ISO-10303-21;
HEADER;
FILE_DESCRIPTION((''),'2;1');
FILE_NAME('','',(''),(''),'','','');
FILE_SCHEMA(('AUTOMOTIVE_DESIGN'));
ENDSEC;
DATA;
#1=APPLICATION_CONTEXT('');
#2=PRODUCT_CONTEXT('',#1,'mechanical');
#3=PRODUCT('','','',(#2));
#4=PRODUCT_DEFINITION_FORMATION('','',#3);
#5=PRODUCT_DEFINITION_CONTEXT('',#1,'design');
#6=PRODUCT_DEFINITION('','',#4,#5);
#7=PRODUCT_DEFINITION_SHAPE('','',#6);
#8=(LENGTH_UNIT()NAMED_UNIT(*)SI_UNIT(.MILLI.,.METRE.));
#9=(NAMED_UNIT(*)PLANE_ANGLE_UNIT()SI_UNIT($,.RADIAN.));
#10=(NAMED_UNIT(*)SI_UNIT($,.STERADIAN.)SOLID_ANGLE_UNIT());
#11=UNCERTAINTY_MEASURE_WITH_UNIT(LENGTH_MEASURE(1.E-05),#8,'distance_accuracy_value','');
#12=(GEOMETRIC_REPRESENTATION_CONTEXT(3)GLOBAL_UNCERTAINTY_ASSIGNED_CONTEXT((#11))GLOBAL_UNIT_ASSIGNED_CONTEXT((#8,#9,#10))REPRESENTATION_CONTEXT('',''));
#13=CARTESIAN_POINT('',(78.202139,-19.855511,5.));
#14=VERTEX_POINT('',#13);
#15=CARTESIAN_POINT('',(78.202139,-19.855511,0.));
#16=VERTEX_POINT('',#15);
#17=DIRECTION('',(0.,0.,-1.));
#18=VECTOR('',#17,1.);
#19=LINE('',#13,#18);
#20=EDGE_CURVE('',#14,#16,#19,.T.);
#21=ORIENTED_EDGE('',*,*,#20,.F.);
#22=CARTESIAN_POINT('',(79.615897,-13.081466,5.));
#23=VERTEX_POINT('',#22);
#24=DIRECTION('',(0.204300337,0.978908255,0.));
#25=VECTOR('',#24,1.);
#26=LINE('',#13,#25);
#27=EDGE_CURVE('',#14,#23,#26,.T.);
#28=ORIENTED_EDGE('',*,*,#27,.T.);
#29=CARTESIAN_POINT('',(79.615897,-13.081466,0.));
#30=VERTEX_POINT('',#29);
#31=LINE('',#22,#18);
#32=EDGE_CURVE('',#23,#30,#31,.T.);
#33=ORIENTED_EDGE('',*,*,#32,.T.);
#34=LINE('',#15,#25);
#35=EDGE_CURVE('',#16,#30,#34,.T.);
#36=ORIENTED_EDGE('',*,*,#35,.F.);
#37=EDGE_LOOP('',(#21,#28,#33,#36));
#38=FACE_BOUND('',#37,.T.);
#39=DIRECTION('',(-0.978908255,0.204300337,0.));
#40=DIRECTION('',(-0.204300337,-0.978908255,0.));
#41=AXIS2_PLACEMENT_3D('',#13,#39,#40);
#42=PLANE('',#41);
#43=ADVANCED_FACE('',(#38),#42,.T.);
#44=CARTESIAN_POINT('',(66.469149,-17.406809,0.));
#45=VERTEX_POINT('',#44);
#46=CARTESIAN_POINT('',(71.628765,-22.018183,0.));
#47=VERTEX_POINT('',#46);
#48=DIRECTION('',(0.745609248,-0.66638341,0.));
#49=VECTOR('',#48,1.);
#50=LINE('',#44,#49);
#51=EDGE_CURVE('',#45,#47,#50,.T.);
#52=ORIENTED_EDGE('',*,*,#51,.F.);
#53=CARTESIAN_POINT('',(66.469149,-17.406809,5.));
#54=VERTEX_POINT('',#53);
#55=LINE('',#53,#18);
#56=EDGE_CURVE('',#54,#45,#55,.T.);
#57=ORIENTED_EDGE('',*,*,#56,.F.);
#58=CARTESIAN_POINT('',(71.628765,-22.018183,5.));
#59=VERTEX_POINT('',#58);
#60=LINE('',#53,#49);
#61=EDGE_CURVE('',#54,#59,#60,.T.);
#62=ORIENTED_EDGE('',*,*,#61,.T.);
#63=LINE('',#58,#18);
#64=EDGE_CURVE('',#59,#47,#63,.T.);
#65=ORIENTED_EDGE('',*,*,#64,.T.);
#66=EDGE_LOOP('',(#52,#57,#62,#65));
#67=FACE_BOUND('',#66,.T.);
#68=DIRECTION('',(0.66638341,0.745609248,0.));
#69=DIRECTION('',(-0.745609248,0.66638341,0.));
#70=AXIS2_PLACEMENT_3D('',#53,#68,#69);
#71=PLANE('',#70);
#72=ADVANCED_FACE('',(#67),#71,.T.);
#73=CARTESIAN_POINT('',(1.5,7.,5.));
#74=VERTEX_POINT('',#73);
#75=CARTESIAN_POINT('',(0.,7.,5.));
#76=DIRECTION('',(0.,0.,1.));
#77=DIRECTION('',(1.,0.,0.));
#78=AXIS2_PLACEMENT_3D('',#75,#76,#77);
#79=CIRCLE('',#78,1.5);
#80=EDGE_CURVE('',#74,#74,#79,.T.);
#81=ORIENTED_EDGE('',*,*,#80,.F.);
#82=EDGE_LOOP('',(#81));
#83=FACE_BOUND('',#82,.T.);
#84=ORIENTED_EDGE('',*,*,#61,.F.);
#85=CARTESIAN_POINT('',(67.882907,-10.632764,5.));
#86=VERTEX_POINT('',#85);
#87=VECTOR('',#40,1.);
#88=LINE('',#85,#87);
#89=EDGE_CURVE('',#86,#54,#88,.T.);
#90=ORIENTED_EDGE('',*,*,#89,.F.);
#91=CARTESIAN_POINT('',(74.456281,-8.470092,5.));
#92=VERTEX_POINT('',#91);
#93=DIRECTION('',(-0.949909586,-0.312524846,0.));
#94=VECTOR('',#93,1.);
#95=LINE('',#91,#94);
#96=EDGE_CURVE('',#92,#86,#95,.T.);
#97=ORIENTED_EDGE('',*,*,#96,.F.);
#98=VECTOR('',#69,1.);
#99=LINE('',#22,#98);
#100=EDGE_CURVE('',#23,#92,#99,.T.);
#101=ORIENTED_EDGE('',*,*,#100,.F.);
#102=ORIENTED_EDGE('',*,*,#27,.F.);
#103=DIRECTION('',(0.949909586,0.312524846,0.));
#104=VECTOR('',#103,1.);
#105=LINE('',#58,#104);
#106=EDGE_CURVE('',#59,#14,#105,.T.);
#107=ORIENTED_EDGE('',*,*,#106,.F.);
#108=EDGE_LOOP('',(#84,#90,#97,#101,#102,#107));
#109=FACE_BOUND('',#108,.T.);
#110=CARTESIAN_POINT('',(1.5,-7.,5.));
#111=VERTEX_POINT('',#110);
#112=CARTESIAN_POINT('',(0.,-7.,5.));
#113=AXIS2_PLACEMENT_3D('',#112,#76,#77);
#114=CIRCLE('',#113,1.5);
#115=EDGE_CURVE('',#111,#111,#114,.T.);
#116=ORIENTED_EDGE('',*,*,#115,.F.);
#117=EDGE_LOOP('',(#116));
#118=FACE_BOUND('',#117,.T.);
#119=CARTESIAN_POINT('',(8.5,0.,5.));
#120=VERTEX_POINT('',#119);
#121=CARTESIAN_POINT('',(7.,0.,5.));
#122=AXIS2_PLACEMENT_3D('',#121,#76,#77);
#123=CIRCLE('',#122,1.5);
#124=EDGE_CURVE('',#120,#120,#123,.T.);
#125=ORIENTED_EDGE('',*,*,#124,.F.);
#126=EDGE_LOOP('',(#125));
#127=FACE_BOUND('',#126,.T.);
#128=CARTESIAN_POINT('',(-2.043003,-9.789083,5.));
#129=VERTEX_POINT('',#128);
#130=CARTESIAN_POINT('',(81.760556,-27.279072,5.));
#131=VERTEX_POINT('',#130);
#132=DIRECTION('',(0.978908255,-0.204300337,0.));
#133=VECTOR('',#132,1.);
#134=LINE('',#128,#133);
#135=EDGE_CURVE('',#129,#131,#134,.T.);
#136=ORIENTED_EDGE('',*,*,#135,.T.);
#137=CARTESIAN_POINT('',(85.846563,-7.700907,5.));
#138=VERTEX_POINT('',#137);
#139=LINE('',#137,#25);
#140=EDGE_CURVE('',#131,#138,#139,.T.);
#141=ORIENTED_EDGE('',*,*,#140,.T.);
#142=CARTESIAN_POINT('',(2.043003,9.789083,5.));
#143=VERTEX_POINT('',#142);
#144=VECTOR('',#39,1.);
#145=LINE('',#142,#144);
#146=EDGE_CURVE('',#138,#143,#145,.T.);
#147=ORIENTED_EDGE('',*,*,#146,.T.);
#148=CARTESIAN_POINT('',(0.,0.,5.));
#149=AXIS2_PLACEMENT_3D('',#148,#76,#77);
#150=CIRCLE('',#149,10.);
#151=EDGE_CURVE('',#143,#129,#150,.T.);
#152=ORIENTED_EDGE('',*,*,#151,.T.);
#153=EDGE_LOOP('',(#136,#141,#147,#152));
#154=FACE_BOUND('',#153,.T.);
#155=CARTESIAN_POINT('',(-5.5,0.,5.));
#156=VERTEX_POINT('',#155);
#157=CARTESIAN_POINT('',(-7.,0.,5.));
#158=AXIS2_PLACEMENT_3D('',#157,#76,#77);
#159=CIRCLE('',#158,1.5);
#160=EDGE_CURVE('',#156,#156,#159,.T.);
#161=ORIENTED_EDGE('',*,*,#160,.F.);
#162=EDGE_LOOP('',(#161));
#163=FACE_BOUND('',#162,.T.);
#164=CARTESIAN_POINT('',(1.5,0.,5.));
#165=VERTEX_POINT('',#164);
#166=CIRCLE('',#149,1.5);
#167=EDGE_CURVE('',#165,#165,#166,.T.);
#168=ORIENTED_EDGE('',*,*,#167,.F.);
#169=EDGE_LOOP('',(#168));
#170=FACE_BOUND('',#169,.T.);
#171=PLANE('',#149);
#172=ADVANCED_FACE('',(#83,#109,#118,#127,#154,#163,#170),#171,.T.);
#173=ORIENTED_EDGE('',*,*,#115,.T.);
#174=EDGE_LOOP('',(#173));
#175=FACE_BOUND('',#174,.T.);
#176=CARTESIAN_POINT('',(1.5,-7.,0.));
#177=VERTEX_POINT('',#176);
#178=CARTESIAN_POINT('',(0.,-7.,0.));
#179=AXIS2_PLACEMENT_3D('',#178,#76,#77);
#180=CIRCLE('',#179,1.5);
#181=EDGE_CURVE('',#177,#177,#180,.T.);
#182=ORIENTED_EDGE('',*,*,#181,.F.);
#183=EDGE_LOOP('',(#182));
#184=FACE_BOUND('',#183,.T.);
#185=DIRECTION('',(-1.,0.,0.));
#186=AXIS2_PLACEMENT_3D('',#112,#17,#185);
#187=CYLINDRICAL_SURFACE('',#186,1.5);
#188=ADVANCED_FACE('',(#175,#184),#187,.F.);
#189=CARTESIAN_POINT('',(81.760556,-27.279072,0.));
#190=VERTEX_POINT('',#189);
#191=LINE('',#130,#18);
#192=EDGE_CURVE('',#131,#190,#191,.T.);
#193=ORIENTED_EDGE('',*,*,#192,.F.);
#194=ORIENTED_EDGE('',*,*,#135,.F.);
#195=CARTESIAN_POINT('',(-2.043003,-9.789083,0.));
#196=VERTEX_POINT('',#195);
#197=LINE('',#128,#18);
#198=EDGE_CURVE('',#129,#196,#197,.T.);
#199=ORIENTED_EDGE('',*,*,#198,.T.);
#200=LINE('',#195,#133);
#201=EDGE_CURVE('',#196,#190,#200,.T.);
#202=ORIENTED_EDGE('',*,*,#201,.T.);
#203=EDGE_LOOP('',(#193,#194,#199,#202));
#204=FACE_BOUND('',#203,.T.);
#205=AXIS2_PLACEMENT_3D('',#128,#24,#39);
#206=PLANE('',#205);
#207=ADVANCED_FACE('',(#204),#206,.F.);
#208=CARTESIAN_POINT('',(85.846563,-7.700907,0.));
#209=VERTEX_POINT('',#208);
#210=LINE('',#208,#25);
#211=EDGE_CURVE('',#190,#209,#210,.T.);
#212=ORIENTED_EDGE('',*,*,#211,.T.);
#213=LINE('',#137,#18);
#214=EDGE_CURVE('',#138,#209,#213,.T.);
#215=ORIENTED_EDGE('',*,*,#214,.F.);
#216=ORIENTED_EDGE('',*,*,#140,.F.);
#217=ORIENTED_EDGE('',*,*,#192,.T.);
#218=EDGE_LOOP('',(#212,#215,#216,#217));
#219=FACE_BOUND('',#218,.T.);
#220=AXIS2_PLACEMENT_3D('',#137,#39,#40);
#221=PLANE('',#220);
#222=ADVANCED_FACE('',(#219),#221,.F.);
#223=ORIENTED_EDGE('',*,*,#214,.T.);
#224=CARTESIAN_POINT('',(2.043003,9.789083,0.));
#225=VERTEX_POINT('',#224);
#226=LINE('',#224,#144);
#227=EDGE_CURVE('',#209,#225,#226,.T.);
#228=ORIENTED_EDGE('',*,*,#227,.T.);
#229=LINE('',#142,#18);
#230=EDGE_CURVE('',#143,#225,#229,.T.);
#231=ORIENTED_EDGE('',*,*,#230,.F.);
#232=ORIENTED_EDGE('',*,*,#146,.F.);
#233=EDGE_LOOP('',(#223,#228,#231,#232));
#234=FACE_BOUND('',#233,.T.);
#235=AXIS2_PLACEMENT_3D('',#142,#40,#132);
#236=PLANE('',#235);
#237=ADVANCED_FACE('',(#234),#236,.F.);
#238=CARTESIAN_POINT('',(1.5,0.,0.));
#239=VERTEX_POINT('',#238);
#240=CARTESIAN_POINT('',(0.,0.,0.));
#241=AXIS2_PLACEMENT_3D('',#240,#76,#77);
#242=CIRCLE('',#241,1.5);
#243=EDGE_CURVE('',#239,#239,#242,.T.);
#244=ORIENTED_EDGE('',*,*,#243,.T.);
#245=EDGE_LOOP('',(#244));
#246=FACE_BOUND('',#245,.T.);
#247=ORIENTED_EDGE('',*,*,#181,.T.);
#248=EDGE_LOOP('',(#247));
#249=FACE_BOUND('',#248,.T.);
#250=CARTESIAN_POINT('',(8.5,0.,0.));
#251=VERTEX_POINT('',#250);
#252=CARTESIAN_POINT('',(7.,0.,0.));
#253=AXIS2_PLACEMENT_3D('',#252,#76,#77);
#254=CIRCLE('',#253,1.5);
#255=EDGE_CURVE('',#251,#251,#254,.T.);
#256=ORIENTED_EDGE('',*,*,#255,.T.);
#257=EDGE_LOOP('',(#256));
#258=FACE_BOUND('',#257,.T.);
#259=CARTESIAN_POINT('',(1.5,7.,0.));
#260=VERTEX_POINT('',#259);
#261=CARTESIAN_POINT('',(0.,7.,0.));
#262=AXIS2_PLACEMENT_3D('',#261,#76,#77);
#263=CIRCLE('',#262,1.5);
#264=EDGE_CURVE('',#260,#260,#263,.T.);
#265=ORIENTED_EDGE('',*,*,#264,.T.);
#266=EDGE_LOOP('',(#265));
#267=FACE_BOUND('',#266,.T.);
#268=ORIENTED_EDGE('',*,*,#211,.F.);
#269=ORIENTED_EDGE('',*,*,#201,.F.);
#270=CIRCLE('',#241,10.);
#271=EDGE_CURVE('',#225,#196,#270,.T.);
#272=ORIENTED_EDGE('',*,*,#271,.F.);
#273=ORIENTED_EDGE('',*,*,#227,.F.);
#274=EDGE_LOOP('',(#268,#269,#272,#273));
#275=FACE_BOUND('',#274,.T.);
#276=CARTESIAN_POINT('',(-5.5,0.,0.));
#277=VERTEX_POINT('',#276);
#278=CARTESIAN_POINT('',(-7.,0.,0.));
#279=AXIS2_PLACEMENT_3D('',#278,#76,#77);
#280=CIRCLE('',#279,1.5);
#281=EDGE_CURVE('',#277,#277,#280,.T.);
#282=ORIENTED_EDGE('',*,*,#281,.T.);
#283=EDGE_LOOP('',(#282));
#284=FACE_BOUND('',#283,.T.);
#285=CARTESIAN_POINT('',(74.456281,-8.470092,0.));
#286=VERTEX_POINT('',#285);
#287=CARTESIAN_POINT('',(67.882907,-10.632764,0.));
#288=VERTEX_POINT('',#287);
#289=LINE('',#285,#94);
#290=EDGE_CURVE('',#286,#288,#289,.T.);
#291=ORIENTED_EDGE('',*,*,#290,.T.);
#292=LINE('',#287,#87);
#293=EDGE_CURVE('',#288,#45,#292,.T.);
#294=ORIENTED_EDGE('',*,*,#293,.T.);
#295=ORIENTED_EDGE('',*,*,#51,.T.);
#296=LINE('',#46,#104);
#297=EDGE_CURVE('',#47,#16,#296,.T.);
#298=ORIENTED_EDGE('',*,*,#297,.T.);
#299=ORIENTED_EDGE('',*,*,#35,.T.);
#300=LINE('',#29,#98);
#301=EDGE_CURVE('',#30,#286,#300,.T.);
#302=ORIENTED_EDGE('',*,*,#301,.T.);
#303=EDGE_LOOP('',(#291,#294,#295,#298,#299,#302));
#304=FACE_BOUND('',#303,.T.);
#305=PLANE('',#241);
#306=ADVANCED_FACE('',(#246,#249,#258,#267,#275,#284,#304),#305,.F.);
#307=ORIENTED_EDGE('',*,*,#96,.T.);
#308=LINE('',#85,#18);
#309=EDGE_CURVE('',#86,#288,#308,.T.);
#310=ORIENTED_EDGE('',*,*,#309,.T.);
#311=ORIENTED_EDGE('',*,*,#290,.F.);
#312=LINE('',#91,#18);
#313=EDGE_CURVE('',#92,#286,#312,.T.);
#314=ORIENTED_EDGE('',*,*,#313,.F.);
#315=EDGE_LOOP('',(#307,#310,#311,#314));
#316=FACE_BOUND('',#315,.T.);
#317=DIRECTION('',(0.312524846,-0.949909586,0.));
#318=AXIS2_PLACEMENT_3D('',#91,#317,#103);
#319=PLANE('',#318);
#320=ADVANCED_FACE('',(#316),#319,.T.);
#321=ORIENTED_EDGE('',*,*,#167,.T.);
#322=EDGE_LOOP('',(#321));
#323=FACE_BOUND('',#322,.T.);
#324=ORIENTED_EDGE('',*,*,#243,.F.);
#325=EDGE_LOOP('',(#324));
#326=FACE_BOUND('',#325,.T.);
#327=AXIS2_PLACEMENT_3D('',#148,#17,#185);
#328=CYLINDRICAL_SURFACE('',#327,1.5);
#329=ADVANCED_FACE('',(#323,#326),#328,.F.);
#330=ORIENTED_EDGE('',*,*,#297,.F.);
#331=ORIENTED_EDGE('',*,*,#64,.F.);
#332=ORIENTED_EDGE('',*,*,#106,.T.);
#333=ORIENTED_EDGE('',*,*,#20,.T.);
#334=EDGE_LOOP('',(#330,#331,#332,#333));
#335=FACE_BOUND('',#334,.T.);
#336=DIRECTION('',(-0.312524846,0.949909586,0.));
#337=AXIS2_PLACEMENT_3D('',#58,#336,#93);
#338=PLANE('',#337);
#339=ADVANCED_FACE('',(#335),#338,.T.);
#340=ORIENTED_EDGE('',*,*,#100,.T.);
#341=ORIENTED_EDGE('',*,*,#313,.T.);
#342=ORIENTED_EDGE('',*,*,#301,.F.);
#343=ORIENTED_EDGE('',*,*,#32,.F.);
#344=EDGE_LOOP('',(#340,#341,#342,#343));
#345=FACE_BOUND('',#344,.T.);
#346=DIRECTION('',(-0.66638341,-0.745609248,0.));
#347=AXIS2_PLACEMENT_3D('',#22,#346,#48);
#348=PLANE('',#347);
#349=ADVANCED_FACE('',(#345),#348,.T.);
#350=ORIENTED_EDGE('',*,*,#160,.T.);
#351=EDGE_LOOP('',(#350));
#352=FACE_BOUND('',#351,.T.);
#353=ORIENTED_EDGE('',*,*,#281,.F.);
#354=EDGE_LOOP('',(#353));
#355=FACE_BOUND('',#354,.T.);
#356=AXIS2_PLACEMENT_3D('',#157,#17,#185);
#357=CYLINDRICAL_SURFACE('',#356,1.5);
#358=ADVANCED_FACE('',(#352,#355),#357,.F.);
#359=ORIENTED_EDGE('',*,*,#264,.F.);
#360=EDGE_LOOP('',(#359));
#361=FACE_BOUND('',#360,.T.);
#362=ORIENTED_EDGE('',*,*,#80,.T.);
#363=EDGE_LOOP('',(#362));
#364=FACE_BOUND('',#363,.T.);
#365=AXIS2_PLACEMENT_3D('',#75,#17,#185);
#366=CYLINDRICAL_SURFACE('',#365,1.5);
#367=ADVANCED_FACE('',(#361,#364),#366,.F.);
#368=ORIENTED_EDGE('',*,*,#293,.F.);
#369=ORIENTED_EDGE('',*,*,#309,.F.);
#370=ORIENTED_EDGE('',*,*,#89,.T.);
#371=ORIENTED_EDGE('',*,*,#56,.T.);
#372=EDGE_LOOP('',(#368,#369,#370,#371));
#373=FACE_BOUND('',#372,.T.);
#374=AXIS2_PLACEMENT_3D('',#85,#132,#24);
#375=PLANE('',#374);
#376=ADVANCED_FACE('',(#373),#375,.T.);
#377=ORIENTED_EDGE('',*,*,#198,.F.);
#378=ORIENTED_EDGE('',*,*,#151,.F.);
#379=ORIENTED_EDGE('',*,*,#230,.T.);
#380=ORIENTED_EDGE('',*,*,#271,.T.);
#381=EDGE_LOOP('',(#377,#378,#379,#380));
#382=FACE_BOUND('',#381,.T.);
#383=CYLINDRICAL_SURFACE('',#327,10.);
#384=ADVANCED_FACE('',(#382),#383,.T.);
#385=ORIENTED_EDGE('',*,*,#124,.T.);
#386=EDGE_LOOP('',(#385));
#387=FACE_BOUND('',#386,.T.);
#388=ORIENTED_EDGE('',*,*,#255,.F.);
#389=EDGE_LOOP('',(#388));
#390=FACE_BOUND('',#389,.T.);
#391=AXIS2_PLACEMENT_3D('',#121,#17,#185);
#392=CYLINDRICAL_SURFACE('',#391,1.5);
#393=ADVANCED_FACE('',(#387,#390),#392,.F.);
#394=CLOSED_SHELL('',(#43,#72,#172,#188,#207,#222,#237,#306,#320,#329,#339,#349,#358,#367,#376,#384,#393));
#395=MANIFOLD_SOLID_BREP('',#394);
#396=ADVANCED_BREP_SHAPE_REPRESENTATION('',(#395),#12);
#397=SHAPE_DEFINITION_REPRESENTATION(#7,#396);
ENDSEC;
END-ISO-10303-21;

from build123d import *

# Parameters (mm, degrees)
SKETCH2_R           = 1.5
BOSS_EXTRUDE1_DEPTH = 5


with BuildPart() as part:
    # Sketch2 → Boss-Extrude1 (new body)
    with BuildSketch(Plane.XY):
        with BuildLine():
            Line((2.043003371, 9.789082553), (85.846562924, -7.700907316))
            Line((85.846562924, -7.700907316), (81.760556182, -27.279072422))
            Line((81.760556182, -27.279072422), (-2.043003371, -9.789082553))
            ThreePointArc((-2.043003371, -9.789082553), (-9.789082553, 2.043003371), (2.043003371, 9.789082553))
        make_face()
        Circle(SKETCH2_R, mode=Mode.SUBTRACT)
        with Locations((0, 7)):
            Circle(SKETCH2_R, mode=Mode.SUBTRACT)
        with Locations((0, -7)):
            Circle(SKETCH2_R, mode=Mode.SUBTRACT)
        with Locations((7, 0)):
            Circle(SKETCH2_R, mode=Mode.SUBTRACT)
        with Locations((-7, 0)):
            Circle(SKETCH2_R, mode=Mode.SUBTRACT)
        Polygon((74.456281443, -8.470092426), (67.882907111, -10.632764358), (66.469148778, -17.406809485), (71.628764778, -22.018182679), (78.20213911, -19.855510747), (79.615897443, -13.08146562), align=None, mode=Mode.SUBTRACT)
    extrude(amount=BOSS_EXTRUDE1_DEPTH)


solid = part.part
